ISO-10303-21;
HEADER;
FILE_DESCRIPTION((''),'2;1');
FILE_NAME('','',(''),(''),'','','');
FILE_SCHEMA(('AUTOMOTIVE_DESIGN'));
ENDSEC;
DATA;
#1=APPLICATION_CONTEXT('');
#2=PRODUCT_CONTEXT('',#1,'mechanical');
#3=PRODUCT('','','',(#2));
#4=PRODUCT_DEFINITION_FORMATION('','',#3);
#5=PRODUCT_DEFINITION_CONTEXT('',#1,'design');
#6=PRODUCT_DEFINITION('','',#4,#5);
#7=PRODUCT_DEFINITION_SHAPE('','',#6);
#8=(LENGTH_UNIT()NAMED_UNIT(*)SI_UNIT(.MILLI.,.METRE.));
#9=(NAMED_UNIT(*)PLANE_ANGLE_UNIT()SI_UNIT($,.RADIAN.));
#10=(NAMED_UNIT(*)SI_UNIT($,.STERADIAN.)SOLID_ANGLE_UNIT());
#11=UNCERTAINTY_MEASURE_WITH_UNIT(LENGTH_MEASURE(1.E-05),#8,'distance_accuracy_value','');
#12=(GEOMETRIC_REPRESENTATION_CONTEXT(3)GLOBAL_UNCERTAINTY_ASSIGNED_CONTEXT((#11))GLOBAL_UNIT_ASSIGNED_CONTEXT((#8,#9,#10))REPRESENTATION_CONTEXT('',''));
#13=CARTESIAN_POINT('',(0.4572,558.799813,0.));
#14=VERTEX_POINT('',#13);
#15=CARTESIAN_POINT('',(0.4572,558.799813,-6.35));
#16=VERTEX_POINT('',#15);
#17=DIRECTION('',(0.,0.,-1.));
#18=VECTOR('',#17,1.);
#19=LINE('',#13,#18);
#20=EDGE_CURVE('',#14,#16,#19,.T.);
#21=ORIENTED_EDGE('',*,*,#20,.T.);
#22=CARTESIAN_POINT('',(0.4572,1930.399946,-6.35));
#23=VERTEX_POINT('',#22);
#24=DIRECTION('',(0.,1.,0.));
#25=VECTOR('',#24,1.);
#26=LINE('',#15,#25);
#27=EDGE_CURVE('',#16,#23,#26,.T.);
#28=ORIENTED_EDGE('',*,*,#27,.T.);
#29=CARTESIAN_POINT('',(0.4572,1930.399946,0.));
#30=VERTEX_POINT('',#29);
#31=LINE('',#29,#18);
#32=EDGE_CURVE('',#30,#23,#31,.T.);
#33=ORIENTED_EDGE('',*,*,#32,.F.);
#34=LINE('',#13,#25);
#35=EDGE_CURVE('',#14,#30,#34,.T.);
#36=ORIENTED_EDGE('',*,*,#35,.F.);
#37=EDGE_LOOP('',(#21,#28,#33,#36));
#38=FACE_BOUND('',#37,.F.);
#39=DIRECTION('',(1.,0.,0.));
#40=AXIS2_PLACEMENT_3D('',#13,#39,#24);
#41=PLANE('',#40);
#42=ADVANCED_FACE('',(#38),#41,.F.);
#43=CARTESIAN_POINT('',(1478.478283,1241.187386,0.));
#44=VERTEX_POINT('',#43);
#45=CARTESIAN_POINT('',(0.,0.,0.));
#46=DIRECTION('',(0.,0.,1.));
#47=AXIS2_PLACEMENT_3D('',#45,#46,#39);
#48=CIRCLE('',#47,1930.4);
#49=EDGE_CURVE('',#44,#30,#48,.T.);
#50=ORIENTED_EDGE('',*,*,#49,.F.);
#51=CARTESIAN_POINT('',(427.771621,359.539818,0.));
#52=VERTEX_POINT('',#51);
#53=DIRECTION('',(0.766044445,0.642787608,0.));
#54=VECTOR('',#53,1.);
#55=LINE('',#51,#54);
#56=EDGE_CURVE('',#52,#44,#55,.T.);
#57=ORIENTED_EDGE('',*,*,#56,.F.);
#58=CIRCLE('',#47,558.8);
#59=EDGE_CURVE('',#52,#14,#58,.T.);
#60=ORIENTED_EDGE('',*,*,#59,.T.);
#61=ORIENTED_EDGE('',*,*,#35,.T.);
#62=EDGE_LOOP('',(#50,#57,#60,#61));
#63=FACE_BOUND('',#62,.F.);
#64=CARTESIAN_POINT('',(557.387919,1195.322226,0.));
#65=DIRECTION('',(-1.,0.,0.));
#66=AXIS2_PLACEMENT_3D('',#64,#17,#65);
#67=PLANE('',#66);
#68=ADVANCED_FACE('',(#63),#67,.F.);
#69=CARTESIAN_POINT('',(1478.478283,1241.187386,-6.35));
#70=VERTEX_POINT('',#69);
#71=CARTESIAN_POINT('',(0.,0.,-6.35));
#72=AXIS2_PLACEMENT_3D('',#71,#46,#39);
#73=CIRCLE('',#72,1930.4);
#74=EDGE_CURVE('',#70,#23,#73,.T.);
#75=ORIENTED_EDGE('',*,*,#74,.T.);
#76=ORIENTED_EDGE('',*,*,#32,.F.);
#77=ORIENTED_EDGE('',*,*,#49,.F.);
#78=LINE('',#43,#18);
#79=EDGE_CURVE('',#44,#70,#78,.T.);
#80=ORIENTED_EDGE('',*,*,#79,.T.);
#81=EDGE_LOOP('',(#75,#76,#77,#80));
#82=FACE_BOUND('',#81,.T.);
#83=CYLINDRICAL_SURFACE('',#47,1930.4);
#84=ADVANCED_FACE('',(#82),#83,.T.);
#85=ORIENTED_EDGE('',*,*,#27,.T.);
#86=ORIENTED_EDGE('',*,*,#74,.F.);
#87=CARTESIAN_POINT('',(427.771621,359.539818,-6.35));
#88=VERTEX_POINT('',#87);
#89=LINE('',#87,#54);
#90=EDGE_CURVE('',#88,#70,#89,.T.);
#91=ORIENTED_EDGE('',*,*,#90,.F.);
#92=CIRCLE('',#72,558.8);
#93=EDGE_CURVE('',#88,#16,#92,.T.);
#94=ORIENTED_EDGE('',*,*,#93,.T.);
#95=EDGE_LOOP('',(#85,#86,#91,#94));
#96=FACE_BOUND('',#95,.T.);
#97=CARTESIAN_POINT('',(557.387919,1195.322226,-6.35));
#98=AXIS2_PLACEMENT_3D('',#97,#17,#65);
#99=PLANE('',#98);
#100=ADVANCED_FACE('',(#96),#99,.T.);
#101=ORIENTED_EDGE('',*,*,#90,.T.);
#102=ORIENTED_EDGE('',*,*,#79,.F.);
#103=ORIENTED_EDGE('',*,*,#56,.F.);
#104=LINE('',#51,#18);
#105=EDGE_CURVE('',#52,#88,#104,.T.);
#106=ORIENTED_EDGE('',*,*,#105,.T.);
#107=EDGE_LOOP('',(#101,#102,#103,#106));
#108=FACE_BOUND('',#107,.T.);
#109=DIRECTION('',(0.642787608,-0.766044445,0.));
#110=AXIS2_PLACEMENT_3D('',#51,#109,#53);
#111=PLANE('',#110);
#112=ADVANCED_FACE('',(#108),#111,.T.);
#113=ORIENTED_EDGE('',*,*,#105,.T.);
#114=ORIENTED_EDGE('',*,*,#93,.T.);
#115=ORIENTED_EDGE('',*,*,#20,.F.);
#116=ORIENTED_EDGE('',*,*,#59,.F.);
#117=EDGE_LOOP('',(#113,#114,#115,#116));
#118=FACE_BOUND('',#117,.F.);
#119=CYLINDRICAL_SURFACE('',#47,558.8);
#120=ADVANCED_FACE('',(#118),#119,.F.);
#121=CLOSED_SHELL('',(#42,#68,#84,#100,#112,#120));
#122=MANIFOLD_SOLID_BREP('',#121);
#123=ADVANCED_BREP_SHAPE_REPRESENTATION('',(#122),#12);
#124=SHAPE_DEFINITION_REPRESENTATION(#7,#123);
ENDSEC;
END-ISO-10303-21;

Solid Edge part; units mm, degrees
sketch "Sketch1" plane through (0, 0, 0) normal (0, 0, 1) x (1, 0, 0)
  arc A0 (427.7716, 359.5398) -> (0.4572, 558.7998) centre (0, 0) ccw
  line L0 (0.4572, 558.7998) -> (0.4572, 1930.3999)
  arc A1 (1478.4783, 1241.1874) -> (0.4572, 1930.3999) centre (0, 0) ccw
  line L1 (427.7716, 359.5398) -> (1478.4783, 1241.1874)
extrude "Protrusion1" add sketch "Sketch1" against normal blind 6.35
